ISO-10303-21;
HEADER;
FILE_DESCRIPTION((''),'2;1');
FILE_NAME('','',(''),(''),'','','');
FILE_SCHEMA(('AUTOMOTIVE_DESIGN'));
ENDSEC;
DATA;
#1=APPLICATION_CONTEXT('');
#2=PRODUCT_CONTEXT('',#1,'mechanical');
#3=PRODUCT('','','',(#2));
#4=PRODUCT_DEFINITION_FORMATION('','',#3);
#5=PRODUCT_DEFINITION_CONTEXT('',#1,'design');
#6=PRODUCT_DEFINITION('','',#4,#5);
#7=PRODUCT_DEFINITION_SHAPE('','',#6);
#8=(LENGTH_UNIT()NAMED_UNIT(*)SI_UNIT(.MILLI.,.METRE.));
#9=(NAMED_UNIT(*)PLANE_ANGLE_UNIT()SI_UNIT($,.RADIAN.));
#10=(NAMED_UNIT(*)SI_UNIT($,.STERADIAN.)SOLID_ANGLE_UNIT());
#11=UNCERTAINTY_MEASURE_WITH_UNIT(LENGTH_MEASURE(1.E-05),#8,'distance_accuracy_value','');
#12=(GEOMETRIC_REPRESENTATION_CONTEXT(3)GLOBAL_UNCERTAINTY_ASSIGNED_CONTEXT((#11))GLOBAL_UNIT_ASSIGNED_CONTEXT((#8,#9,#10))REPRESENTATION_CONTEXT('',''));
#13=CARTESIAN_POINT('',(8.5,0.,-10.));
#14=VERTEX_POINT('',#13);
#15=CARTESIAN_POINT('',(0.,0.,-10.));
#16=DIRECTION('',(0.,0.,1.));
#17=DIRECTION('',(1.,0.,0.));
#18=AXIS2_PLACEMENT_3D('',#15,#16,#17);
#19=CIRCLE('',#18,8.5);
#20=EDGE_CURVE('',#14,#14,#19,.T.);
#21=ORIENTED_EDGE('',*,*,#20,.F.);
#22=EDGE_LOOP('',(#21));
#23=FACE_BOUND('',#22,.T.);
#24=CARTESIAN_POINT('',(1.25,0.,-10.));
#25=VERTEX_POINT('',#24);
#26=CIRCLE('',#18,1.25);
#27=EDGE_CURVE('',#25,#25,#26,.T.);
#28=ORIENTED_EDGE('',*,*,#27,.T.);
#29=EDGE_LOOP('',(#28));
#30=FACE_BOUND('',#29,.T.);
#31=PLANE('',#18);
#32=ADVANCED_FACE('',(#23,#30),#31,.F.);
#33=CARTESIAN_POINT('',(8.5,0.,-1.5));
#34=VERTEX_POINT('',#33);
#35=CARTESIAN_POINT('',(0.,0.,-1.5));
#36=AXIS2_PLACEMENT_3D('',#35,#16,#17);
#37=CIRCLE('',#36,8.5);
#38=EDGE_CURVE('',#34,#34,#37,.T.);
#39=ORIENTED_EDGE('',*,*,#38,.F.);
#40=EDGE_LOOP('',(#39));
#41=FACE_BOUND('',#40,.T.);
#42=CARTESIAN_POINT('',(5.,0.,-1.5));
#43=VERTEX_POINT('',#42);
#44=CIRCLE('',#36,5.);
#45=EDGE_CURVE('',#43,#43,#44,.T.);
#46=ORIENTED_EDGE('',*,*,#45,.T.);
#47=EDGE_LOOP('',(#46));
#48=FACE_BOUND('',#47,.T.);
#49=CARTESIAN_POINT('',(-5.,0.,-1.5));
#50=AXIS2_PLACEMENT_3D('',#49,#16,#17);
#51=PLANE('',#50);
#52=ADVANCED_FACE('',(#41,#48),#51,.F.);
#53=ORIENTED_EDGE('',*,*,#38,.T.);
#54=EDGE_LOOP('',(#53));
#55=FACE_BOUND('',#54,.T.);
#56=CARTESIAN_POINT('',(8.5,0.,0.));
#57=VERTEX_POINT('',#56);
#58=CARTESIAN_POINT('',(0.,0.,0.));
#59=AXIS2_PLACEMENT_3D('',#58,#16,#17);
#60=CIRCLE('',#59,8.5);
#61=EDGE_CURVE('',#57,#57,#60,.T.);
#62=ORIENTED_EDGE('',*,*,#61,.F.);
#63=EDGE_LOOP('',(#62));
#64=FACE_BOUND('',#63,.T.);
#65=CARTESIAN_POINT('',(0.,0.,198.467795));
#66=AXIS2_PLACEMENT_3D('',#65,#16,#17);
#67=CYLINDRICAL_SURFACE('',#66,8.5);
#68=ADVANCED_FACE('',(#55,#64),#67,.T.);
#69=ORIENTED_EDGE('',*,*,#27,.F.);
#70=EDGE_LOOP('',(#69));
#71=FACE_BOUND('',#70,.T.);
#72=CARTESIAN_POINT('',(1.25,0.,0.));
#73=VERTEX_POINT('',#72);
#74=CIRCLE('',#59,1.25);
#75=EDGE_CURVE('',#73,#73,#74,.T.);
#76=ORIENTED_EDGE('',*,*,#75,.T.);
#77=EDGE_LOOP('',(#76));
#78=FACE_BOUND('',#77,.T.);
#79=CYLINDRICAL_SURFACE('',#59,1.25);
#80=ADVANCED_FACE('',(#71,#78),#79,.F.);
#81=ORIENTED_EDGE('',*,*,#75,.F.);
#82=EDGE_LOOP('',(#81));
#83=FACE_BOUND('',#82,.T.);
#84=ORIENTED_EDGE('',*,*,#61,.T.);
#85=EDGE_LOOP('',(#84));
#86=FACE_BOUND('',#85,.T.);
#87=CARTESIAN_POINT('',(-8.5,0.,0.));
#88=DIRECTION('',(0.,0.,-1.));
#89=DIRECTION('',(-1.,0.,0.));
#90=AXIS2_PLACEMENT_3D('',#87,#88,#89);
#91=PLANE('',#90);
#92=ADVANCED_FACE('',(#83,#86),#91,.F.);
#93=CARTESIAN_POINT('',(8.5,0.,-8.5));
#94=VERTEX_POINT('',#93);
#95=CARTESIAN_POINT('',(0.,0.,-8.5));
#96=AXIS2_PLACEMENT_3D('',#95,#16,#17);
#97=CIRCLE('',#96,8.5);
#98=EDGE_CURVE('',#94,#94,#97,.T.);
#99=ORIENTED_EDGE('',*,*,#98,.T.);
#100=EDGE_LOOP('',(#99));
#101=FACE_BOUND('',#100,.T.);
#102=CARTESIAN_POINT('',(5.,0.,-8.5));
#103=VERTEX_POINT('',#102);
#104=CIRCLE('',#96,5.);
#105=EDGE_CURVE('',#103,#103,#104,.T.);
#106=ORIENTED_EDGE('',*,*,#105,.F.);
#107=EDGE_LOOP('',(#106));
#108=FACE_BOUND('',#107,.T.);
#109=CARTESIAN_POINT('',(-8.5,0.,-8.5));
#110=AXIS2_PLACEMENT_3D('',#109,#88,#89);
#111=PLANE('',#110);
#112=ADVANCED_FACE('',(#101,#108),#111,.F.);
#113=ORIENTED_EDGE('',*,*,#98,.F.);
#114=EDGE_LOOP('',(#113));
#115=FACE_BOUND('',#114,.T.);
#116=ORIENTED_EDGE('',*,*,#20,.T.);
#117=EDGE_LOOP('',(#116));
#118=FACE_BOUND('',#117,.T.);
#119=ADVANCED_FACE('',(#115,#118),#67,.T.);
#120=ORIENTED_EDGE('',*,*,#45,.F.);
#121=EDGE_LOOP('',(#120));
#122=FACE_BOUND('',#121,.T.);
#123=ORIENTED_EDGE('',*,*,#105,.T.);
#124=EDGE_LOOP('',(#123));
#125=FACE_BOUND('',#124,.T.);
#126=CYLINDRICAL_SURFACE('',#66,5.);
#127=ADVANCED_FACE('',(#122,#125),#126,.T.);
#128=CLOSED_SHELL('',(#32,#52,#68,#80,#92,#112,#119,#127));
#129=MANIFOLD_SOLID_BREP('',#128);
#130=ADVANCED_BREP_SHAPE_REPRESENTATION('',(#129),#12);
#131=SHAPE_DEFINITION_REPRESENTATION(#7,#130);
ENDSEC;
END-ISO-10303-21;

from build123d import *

# Parameters (mm, degrees)
TALADRO_ROSCADO_M2_52_D = 2.5


with BuildPart() as part:
    # Sketch2 → Revolve1 (revolve)
    with BuildSketch(Plane(origin=(0, 0, 0), x_dir=(1, 0, 0), z_dir=(0, 1, 0)), mode=Mode.PRIVATE) as revolve1_sk:
        Polygon((0, 10), (-8.5, 10), (-8.5, 8.5), (-5, 8.5), (-5, 1.5), (-8.5, 1.5), (-8.5, 0), (0, 0), align=None)
    revolve(revolve1_sk.sketch.rotate(Axis((0, 0, 198.467795094), (0, 0, -1)), 180), axis=Axis((0, 0, 198.467795094), (0, 0, -1)))

    # Taladro roscado M2.52 (through all)
    with Locations(Plane.XY):
        with Locations((0, 0)):
            Hole(TALADRO_ROSCADO_M2_52_D / 2)


solid = part.part
